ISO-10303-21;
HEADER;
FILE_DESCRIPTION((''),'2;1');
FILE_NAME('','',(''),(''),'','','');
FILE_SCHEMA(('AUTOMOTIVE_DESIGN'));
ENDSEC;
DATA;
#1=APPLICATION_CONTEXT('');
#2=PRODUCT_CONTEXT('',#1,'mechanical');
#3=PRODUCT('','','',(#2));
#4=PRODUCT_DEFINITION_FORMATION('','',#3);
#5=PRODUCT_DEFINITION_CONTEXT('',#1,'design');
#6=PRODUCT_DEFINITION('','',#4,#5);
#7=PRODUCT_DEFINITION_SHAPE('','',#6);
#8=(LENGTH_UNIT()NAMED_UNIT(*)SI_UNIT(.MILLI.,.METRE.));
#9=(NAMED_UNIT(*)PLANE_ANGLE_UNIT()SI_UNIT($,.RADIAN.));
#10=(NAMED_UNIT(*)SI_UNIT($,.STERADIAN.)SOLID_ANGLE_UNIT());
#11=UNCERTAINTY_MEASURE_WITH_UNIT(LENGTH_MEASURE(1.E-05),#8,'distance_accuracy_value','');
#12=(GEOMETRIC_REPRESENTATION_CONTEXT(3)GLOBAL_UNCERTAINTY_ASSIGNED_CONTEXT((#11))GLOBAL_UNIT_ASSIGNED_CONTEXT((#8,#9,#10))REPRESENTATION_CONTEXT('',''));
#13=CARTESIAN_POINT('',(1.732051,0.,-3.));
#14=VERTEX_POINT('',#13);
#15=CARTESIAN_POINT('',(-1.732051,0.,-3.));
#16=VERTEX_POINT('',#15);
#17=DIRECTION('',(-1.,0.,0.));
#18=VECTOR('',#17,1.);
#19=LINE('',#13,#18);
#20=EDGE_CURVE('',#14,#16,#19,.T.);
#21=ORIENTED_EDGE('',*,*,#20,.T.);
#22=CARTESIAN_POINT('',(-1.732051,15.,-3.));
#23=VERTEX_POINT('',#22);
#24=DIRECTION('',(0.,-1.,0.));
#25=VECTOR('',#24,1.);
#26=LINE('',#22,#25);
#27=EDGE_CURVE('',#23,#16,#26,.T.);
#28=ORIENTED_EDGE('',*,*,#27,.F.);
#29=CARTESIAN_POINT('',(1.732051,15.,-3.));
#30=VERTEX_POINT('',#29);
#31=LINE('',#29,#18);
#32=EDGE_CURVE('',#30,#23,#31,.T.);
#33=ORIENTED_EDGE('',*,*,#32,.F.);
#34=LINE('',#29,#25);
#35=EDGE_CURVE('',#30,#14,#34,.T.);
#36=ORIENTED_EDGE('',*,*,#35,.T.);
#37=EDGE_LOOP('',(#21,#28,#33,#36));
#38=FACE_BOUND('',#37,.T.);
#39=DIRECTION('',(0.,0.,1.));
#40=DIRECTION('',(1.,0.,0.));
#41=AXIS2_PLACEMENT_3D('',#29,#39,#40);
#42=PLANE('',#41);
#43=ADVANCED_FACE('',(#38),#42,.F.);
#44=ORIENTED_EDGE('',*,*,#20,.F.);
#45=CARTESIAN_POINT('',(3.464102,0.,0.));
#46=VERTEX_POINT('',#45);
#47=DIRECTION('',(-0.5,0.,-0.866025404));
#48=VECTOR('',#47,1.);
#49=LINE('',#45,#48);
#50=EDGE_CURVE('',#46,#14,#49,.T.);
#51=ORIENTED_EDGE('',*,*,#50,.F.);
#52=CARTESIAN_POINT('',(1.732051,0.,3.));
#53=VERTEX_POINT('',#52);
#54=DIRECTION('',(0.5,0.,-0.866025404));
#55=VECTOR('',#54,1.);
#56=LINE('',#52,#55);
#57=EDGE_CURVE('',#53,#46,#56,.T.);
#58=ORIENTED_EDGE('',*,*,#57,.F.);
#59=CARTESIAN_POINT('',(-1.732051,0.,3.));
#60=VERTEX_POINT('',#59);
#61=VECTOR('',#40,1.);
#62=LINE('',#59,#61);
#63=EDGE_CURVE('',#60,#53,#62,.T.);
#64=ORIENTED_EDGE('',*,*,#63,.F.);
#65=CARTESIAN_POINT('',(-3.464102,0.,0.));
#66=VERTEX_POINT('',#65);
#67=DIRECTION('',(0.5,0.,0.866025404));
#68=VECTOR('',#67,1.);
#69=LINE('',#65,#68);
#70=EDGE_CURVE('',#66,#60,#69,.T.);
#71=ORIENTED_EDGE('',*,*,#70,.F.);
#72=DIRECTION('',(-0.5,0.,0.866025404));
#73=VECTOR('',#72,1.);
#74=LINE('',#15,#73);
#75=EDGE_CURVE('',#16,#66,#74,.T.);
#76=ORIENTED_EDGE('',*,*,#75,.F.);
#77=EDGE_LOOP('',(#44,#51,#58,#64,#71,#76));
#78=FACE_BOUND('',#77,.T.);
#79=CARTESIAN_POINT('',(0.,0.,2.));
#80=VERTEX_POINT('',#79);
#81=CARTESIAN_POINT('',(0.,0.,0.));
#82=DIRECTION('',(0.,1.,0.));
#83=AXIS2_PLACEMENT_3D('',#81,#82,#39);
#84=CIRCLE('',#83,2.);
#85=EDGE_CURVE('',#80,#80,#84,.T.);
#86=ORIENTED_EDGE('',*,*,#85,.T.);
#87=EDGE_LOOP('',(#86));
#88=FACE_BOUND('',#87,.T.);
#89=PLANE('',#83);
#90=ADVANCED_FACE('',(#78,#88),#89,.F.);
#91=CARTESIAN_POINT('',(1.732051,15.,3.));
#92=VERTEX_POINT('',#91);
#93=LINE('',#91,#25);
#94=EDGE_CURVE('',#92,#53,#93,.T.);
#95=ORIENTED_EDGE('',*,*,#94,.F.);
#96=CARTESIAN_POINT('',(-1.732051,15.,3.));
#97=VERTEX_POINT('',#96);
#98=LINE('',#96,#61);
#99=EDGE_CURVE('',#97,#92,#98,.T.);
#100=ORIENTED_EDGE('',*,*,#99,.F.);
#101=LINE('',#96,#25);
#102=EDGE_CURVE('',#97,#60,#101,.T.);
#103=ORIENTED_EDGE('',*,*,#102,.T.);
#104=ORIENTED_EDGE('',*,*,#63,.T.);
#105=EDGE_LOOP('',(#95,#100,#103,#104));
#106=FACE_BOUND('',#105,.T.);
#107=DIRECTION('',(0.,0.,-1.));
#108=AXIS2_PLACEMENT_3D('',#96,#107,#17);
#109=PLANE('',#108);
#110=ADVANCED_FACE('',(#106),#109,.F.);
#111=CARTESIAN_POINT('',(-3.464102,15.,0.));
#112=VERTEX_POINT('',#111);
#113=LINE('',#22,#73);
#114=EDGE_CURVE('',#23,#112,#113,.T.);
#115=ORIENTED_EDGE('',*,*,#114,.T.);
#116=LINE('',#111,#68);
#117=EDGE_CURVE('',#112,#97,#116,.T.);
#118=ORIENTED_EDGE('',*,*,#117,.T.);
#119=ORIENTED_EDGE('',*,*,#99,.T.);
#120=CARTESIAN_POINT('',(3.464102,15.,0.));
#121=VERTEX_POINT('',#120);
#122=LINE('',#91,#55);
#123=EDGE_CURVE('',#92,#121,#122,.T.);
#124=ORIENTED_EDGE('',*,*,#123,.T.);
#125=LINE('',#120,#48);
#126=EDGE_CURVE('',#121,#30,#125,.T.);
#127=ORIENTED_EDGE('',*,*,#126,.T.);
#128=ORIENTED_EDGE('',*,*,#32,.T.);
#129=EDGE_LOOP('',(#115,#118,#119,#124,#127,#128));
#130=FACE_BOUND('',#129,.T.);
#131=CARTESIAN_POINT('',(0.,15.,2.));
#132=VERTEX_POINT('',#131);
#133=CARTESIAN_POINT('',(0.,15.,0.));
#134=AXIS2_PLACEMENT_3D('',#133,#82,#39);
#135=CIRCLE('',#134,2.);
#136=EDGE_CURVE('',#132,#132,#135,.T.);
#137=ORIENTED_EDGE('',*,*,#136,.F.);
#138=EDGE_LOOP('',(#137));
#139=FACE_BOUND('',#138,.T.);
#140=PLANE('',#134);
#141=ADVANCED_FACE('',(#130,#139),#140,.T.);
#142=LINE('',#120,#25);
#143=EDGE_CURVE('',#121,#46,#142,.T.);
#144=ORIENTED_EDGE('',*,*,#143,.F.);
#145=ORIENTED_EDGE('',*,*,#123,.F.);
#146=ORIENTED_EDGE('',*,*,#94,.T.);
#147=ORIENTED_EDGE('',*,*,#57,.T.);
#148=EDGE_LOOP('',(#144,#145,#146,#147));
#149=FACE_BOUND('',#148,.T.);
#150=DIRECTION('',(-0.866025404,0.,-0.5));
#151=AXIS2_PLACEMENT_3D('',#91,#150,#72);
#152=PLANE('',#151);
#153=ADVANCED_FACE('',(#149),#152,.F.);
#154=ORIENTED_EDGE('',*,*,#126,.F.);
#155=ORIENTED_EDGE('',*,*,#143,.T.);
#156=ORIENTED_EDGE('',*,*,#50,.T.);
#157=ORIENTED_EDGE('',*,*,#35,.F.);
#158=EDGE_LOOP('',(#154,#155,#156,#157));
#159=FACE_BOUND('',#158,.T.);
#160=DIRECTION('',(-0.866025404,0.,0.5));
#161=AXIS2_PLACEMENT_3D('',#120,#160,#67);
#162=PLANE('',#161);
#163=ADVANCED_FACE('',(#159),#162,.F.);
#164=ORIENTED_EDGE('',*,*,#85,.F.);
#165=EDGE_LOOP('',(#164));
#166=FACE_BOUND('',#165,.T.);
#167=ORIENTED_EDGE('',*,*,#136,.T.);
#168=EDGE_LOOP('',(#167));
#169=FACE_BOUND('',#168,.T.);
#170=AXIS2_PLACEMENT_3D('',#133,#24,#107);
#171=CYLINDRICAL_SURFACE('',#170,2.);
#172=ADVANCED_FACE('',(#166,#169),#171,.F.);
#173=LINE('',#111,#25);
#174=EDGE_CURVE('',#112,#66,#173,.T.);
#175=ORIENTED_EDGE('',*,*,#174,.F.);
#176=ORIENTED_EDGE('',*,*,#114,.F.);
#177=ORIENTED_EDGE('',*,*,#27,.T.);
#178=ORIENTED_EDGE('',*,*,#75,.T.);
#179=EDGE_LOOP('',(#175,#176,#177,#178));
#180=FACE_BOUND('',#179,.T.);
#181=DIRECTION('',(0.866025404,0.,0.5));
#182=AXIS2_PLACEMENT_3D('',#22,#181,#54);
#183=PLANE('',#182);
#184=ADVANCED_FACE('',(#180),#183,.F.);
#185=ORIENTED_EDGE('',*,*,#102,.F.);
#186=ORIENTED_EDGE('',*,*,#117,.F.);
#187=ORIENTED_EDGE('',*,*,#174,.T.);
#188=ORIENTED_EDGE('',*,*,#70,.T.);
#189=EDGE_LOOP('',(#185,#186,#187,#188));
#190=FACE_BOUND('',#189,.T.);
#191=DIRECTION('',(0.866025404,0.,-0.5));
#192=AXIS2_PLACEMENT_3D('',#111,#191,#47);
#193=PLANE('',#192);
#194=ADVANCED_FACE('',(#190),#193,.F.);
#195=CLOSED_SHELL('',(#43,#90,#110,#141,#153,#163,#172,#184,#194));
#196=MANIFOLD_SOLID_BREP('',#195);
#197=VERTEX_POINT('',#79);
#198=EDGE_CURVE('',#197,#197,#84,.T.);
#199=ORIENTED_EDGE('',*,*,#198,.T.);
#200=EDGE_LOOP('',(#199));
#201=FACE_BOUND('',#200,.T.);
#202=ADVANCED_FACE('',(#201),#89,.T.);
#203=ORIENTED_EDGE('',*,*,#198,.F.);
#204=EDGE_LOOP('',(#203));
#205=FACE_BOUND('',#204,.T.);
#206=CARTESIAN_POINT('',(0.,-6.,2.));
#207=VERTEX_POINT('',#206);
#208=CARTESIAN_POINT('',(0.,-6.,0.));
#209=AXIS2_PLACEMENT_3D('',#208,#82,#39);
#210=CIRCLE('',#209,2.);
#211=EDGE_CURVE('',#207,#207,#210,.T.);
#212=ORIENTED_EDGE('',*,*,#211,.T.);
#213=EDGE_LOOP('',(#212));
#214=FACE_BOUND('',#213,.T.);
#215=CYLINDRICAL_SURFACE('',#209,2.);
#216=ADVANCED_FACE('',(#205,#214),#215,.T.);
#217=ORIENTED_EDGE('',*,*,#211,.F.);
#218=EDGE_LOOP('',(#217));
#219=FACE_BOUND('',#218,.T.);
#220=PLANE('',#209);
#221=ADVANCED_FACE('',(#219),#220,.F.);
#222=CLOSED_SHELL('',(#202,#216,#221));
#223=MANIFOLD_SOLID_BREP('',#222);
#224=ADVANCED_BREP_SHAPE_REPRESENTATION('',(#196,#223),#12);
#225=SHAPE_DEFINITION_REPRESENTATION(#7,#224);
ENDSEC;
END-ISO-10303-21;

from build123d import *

# Parameters (mm, degrees)
SKETCH_2_R      = 2
EXTRUDE_1_DEPTH = 15
SKETCH_2_2_R    = 2
EXTRUDE_2_DEPTH = 6


with BuildPart() as part:
    # 草图2 → 凸台-拉伸1 (new body)
    with BuildSketch(Plane(origin=(0, 0, 0), x_dir=(1, 0, 0), z_dir=(0, 1, 0))):
        Polygon((3.464101615, 0), (1.732050808, 3), (-1.732050808, 3), (-3.464101615, 0), (-1.732050808, -3), (1.732050808, -3), align=None)
        Circle(SKETCH_2_R, mode=Mode.SUBTRACT)
    extrude(amount=EXTRUDE_1_DEPTH)


with BuildPart() as body_2:
    # 草图2<2> → 凸台-拉伸2 (new body)
    with BuildSketch(Plane(origin=(0, 0, 0), x_dir=(1, 0, 0), z_dir=(0, 1, 0))):
        Circle(SKETCH_2_2_R)
    extrude(amount=-EXTRUDE_2_DEPTH)


solid = Compound([part.part, body_2.part])
